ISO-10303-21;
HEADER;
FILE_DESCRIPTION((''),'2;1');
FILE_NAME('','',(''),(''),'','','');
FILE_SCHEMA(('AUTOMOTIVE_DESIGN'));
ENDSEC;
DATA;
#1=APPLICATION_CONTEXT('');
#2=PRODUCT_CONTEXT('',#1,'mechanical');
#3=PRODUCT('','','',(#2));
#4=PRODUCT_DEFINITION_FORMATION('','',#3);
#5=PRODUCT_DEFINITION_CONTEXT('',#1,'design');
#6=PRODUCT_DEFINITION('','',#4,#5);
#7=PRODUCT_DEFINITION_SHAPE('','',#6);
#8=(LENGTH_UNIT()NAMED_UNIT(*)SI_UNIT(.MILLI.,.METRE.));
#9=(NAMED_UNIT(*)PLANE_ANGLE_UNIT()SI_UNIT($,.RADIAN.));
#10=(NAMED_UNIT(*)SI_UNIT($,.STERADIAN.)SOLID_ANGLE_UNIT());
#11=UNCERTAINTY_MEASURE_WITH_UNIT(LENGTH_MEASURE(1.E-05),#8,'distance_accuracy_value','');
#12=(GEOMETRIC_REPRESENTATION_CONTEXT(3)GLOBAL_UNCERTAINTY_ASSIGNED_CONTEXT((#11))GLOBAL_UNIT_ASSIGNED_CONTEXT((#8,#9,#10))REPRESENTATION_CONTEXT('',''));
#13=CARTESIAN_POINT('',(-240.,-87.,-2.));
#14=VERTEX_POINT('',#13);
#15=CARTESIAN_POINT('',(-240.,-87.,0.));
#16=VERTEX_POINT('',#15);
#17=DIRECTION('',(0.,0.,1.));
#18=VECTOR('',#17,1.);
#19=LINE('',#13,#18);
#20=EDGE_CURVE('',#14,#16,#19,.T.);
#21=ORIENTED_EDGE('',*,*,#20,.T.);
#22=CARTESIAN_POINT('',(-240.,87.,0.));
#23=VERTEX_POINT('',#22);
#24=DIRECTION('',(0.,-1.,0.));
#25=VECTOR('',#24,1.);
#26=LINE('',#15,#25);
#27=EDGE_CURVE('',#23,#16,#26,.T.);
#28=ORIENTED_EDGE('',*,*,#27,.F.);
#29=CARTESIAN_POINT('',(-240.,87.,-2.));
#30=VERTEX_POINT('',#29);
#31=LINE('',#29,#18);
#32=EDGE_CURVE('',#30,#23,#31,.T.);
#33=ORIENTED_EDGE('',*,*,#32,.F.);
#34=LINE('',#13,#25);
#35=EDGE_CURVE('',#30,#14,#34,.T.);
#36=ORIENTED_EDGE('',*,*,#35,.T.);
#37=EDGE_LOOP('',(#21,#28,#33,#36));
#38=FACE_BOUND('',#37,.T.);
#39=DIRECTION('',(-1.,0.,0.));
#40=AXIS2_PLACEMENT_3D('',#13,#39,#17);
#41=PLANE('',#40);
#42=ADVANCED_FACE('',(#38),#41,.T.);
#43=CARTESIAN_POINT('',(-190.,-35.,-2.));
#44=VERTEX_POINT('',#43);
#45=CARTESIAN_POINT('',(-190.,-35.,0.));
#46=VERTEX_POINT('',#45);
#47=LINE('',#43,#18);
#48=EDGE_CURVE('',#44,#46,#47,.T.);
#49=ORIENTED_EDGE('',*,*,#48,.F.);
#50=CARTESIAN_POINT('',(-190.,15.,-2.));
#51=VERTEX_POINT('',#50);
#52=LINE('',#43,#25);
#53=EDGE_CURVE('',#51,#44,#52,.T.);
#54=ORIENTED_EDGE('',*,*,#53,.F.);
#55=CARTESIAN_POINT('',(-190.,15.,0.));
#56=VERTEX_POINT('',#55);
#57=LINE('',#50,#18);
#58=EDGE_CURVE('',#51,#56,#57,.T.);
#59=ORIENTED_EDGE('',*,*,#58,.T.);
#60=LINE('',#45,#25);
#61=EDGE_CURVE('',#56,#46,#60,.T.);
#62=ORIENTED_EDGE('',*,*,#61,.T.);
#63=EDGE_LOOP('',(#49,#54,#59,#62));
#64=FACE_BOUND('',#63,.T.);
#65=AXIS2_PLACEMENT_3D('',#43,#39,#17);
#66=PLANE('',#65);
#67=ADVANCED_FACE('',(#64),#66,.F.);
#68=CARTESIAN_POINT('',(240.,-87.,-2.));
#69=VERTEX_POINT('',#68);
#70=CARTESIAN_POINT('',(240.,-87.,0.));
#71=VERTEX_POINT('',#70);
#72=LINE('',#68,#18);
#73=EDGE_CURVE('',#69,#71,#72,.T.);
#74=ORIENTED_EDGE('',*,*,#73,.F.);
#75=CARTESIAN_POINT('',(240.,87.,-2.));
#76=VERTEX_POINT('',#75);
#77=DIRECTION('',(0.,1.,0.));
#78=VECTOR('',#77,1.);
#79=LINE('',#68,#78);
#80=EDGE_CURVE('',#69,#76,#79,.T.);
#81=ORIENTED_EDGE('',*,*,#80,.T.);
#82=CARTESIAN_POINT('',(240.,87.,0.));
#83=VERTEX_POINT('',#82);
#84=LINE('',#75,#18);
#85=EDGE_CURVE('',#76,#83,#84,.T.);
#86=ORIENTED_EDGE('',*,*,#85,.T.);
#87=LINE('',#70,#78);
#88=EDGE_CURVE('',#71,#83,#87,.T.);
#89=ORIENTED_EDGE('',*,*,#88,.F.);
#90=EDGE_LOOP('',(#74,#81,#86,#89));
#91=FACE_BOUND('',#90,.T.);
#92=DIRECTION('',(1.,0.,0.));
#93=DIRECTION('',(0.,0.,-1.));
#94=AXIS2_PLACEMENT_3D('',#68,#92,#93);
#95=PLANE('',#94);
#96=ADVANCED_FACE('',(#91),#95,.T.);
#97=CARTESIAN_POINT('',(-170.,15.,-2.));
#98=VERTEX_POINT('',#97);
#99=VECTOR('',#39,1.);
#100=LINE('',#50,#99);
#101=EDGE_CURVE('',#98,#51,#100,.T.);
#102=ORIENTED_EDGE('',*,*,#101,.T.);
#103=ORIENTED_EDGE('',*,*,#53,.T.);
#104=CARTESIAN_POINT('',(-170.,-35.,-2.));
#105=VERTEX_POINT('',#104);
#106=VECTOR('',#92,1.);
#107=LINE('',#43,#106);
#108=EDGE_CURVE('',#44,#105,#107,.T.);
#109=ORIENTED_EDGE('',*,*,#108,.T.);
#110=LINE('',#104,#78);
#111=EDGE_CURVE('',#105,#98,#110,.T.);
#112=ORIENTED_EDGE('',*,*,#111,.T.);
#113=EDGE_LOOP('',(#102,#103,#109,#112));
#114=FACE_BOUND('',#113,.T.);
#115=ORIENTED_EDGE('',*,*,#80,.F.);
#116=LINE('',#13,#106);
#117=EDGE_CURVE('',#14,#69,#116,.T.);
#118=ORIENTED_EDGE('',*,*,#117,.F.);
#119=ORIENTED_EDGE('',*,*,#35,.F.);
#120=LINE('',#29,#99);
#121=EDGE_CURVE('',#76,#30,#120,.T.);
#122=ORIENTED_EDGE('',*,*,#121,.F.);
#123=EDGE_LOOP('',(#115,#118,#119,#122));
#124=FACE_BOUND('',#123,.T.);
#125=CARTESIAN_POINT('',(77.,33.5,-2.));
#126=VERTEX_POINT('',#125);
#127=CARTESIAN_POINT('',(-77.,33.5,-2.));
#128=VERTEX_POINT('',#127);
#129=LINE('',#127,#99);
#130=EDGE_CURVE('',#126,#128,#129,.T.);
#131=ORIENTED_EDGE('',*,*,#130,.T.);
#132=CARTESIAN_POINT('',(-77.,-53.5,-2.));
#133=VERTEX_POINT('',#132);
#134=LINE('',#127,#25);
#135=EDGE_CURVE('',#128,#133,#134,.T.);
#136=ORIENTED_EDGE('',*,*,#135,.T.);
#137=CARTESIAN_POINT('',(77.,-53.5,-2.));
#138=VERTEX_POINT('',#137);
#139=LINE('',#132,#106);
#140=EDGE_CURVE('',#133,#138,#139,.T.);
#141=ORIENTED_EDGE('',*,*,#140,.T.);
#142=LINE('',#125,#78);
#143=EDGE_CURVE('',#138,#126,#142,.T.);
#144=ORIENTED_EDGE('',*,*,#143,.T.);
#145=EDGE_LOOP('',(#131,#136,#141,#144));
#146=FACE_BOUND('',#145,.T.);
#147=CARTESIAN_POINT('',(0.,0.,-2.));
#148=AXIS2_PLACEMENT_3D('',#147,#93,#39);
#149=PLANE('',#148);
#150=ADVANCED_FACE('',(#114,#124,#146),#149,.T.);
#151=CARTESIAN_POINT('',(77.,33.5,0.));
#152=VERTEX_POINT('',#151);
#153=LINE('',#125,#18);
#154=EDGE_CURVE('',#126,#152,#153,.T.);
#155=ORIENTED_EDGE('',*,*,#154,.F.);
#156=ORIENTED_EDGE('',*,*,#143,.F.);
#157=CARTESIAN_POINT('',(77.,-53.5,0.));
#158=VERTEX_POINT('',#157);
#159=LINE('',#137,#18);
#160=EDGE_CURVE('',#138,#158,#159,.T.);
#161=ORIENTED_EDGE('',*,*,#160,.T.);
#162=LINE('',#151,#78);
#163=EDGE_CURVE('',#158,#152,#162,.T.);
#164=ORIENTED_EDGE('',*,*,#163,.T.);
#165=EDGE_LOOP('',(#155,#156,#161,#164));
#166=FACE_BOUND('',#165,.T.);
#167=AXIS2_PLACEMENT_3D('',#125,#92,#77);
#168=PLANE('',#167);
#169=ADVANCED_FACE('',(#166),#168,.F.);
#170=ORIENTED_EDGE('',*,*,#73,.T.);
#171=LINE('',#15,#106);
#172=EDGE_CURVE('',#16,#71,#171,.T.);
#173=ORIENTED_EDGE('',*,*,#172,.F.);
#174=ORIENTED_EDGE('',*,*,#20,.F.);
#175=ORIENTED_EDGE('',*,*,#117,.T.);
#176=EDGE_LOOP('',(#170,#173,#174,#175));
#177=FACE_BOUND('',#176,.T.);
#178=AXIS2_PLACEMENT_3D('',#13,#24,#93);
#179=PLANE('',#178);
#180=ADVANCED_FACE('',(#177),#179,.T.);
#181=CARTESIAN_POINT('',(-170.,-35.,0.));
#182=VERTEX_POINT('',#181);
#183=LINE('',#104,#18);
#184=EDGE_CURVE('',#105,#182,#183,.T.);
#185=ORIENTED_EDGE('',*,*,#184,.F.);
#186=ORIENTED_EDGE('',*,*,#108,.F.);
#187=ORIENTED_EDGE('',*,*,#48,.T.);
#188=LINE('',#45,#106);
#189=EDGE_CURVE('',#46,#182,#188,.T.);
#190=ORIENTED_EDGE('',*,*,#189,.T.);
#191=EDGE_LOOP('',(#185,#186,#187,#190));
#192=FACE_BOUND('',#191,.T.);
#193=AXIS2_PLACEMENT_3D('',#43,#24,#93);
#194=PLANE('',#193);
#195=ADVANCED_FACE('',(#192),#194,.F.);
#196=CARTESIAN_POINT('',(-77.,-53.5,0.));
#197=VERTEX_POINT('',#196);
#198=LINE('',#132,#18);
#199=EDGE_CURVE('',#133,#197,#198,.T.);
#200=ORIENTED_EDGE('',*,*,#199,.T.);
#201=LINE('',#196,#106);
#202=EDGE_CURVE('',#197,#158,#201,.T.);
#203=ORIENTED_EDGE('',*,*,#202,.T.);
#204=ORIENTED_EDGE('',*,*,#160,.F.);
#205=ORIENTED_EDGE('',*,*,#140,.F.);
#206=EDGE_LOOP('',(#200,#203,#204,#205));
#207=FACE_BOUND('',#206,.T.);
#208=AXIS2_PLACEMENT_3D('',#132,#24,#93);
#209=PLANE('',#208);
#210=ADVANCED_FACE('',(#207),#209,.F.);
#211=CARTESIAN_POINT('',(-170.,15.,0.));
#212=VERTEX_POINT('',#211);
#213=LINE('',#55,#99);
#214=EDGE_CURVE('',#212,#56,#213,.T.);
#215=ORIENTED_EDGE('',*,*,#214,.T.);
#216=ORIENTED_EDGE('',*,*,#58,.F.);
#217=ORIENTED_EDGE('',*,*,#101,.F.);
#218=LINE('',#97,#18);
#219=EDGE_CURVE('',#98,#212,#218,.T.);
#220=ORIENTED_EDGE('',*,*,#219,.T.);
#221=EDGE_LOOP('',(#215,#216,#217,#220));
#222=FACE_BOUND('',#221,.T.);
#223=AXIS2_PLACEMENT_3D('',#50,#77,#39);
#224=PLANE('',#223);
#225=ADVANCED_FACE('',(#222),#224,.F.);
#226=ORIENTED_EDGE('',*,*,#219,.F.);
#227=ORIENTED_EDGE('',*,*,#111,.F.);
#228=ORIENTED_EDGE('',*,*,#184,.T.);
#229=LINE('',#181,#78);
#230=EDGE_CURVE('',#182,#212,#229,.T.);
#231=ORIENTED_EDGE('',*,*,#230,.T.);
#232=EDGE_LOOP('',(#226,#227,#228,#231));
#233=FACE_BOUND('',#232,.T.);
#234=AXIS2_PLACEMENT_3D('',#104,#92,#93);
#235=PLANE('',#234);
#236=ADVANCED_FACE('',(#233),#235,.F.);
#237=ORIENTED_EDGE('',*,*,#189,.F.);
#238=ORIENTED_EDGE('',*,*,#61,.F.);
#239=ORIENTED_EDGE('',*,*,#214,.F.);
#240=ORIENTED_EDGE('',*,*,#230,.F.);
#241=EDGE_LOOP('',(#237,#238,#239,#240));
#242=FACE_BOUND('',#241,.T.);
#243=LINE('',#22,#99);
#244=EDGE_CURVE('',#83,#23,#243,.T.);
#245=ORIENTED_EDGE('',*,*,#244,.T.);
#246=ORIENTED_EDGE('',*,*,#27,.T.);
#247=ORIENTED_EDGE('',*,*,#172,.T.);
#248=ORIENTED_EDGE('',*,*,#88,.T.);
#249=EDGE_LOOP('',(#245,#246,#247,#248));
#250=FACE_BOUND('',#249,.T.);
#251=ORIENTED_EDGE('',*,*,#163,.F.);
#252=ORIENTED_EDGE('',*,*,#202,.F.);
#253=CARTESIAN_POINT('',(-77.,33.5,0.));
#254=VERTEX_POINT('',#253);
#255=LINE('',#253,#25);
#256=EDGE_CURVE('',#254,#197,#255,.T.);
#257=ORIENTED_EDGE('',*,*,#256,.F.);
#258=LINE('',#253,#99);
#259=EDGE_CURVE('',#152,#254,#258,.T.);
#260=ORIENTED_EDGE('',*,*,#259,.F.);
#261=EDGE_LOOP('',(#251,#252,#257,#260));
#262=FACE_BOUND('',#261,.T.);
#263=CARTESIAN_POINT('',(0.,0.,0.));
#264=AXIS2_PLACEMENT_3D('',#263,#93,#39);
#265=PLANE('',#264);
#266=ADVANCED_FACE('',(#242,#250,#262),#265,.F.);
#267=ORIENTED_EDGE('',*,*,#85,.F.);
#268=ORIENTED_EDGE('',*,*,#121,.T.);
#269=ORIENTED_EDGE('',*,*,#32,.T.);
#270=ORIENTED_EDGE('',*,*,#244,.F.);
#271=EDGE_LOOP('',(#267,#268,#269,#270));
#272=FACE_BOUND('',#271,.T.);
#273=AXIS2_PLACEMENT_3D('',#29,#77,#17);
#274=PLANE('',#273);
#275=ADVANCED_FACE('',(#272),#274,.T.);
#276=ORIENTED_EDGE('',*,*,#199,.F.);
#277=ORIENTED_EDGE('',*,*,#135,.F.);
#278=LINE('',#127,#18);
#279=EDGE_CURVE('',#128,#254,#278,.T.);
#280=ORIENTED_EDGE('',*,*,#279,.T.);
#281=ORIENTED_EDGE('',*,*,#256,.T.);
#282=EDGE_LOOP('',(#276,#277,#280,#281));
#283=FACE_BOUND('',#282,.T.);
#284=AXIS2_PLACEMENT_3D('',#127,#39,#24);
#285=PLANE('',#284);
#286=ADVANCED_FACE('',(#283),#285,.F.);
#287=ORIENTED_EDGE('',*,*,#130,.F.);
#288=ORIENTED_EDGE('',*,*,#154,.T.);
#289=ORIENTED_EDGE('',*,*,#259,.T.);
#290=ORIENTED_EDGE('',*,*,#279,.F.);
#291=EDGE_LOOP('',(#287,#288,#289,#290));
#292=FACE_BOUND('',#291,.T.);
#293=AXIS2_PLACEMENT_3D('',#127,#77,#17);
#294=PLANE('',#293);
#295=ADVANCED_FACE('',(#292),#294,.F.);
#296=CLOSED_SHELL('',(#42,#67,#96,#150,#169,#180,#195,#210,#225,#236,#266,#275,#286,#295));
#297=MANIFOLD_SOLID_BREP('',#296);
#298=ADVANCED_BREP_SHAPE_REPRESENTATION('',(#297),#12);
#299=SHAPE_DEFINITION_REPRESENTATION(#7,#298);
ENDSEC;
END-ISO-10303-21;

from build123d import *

# Parameters (mm, degrees)
SKETCH1_W           = 480
SKETCH1_H           = 174
SKETCH1_W_2         = 154
SKETCH1_H_2         = 87
SKETCH1_W_3         = 20
SKETCH1_H_3         = 50
BOSS_EXTRUDE1_DEPTH = 2


with BuildPart() as part:
    # Sketch1 → Boss-Extrude1 (new body)
    with BuildSketch(Plane.XY):
        Rectangle(SKETCH1_W, SKETCH1_H)
        with Locations((0, -10)):
            Rectangle(SKETCH1_W_2, SKETCH1_H_2, mode=Mode.SUBTRACT)
        with Locations((-180, -10)):
            Rectangle(SKETCH1_W_3, SKETCH1_H_3, mode=Mode.SUBTRACT)
    extrude(amount=-BOSS_EXTRUDE1_DEPTH)


solid = part.part
